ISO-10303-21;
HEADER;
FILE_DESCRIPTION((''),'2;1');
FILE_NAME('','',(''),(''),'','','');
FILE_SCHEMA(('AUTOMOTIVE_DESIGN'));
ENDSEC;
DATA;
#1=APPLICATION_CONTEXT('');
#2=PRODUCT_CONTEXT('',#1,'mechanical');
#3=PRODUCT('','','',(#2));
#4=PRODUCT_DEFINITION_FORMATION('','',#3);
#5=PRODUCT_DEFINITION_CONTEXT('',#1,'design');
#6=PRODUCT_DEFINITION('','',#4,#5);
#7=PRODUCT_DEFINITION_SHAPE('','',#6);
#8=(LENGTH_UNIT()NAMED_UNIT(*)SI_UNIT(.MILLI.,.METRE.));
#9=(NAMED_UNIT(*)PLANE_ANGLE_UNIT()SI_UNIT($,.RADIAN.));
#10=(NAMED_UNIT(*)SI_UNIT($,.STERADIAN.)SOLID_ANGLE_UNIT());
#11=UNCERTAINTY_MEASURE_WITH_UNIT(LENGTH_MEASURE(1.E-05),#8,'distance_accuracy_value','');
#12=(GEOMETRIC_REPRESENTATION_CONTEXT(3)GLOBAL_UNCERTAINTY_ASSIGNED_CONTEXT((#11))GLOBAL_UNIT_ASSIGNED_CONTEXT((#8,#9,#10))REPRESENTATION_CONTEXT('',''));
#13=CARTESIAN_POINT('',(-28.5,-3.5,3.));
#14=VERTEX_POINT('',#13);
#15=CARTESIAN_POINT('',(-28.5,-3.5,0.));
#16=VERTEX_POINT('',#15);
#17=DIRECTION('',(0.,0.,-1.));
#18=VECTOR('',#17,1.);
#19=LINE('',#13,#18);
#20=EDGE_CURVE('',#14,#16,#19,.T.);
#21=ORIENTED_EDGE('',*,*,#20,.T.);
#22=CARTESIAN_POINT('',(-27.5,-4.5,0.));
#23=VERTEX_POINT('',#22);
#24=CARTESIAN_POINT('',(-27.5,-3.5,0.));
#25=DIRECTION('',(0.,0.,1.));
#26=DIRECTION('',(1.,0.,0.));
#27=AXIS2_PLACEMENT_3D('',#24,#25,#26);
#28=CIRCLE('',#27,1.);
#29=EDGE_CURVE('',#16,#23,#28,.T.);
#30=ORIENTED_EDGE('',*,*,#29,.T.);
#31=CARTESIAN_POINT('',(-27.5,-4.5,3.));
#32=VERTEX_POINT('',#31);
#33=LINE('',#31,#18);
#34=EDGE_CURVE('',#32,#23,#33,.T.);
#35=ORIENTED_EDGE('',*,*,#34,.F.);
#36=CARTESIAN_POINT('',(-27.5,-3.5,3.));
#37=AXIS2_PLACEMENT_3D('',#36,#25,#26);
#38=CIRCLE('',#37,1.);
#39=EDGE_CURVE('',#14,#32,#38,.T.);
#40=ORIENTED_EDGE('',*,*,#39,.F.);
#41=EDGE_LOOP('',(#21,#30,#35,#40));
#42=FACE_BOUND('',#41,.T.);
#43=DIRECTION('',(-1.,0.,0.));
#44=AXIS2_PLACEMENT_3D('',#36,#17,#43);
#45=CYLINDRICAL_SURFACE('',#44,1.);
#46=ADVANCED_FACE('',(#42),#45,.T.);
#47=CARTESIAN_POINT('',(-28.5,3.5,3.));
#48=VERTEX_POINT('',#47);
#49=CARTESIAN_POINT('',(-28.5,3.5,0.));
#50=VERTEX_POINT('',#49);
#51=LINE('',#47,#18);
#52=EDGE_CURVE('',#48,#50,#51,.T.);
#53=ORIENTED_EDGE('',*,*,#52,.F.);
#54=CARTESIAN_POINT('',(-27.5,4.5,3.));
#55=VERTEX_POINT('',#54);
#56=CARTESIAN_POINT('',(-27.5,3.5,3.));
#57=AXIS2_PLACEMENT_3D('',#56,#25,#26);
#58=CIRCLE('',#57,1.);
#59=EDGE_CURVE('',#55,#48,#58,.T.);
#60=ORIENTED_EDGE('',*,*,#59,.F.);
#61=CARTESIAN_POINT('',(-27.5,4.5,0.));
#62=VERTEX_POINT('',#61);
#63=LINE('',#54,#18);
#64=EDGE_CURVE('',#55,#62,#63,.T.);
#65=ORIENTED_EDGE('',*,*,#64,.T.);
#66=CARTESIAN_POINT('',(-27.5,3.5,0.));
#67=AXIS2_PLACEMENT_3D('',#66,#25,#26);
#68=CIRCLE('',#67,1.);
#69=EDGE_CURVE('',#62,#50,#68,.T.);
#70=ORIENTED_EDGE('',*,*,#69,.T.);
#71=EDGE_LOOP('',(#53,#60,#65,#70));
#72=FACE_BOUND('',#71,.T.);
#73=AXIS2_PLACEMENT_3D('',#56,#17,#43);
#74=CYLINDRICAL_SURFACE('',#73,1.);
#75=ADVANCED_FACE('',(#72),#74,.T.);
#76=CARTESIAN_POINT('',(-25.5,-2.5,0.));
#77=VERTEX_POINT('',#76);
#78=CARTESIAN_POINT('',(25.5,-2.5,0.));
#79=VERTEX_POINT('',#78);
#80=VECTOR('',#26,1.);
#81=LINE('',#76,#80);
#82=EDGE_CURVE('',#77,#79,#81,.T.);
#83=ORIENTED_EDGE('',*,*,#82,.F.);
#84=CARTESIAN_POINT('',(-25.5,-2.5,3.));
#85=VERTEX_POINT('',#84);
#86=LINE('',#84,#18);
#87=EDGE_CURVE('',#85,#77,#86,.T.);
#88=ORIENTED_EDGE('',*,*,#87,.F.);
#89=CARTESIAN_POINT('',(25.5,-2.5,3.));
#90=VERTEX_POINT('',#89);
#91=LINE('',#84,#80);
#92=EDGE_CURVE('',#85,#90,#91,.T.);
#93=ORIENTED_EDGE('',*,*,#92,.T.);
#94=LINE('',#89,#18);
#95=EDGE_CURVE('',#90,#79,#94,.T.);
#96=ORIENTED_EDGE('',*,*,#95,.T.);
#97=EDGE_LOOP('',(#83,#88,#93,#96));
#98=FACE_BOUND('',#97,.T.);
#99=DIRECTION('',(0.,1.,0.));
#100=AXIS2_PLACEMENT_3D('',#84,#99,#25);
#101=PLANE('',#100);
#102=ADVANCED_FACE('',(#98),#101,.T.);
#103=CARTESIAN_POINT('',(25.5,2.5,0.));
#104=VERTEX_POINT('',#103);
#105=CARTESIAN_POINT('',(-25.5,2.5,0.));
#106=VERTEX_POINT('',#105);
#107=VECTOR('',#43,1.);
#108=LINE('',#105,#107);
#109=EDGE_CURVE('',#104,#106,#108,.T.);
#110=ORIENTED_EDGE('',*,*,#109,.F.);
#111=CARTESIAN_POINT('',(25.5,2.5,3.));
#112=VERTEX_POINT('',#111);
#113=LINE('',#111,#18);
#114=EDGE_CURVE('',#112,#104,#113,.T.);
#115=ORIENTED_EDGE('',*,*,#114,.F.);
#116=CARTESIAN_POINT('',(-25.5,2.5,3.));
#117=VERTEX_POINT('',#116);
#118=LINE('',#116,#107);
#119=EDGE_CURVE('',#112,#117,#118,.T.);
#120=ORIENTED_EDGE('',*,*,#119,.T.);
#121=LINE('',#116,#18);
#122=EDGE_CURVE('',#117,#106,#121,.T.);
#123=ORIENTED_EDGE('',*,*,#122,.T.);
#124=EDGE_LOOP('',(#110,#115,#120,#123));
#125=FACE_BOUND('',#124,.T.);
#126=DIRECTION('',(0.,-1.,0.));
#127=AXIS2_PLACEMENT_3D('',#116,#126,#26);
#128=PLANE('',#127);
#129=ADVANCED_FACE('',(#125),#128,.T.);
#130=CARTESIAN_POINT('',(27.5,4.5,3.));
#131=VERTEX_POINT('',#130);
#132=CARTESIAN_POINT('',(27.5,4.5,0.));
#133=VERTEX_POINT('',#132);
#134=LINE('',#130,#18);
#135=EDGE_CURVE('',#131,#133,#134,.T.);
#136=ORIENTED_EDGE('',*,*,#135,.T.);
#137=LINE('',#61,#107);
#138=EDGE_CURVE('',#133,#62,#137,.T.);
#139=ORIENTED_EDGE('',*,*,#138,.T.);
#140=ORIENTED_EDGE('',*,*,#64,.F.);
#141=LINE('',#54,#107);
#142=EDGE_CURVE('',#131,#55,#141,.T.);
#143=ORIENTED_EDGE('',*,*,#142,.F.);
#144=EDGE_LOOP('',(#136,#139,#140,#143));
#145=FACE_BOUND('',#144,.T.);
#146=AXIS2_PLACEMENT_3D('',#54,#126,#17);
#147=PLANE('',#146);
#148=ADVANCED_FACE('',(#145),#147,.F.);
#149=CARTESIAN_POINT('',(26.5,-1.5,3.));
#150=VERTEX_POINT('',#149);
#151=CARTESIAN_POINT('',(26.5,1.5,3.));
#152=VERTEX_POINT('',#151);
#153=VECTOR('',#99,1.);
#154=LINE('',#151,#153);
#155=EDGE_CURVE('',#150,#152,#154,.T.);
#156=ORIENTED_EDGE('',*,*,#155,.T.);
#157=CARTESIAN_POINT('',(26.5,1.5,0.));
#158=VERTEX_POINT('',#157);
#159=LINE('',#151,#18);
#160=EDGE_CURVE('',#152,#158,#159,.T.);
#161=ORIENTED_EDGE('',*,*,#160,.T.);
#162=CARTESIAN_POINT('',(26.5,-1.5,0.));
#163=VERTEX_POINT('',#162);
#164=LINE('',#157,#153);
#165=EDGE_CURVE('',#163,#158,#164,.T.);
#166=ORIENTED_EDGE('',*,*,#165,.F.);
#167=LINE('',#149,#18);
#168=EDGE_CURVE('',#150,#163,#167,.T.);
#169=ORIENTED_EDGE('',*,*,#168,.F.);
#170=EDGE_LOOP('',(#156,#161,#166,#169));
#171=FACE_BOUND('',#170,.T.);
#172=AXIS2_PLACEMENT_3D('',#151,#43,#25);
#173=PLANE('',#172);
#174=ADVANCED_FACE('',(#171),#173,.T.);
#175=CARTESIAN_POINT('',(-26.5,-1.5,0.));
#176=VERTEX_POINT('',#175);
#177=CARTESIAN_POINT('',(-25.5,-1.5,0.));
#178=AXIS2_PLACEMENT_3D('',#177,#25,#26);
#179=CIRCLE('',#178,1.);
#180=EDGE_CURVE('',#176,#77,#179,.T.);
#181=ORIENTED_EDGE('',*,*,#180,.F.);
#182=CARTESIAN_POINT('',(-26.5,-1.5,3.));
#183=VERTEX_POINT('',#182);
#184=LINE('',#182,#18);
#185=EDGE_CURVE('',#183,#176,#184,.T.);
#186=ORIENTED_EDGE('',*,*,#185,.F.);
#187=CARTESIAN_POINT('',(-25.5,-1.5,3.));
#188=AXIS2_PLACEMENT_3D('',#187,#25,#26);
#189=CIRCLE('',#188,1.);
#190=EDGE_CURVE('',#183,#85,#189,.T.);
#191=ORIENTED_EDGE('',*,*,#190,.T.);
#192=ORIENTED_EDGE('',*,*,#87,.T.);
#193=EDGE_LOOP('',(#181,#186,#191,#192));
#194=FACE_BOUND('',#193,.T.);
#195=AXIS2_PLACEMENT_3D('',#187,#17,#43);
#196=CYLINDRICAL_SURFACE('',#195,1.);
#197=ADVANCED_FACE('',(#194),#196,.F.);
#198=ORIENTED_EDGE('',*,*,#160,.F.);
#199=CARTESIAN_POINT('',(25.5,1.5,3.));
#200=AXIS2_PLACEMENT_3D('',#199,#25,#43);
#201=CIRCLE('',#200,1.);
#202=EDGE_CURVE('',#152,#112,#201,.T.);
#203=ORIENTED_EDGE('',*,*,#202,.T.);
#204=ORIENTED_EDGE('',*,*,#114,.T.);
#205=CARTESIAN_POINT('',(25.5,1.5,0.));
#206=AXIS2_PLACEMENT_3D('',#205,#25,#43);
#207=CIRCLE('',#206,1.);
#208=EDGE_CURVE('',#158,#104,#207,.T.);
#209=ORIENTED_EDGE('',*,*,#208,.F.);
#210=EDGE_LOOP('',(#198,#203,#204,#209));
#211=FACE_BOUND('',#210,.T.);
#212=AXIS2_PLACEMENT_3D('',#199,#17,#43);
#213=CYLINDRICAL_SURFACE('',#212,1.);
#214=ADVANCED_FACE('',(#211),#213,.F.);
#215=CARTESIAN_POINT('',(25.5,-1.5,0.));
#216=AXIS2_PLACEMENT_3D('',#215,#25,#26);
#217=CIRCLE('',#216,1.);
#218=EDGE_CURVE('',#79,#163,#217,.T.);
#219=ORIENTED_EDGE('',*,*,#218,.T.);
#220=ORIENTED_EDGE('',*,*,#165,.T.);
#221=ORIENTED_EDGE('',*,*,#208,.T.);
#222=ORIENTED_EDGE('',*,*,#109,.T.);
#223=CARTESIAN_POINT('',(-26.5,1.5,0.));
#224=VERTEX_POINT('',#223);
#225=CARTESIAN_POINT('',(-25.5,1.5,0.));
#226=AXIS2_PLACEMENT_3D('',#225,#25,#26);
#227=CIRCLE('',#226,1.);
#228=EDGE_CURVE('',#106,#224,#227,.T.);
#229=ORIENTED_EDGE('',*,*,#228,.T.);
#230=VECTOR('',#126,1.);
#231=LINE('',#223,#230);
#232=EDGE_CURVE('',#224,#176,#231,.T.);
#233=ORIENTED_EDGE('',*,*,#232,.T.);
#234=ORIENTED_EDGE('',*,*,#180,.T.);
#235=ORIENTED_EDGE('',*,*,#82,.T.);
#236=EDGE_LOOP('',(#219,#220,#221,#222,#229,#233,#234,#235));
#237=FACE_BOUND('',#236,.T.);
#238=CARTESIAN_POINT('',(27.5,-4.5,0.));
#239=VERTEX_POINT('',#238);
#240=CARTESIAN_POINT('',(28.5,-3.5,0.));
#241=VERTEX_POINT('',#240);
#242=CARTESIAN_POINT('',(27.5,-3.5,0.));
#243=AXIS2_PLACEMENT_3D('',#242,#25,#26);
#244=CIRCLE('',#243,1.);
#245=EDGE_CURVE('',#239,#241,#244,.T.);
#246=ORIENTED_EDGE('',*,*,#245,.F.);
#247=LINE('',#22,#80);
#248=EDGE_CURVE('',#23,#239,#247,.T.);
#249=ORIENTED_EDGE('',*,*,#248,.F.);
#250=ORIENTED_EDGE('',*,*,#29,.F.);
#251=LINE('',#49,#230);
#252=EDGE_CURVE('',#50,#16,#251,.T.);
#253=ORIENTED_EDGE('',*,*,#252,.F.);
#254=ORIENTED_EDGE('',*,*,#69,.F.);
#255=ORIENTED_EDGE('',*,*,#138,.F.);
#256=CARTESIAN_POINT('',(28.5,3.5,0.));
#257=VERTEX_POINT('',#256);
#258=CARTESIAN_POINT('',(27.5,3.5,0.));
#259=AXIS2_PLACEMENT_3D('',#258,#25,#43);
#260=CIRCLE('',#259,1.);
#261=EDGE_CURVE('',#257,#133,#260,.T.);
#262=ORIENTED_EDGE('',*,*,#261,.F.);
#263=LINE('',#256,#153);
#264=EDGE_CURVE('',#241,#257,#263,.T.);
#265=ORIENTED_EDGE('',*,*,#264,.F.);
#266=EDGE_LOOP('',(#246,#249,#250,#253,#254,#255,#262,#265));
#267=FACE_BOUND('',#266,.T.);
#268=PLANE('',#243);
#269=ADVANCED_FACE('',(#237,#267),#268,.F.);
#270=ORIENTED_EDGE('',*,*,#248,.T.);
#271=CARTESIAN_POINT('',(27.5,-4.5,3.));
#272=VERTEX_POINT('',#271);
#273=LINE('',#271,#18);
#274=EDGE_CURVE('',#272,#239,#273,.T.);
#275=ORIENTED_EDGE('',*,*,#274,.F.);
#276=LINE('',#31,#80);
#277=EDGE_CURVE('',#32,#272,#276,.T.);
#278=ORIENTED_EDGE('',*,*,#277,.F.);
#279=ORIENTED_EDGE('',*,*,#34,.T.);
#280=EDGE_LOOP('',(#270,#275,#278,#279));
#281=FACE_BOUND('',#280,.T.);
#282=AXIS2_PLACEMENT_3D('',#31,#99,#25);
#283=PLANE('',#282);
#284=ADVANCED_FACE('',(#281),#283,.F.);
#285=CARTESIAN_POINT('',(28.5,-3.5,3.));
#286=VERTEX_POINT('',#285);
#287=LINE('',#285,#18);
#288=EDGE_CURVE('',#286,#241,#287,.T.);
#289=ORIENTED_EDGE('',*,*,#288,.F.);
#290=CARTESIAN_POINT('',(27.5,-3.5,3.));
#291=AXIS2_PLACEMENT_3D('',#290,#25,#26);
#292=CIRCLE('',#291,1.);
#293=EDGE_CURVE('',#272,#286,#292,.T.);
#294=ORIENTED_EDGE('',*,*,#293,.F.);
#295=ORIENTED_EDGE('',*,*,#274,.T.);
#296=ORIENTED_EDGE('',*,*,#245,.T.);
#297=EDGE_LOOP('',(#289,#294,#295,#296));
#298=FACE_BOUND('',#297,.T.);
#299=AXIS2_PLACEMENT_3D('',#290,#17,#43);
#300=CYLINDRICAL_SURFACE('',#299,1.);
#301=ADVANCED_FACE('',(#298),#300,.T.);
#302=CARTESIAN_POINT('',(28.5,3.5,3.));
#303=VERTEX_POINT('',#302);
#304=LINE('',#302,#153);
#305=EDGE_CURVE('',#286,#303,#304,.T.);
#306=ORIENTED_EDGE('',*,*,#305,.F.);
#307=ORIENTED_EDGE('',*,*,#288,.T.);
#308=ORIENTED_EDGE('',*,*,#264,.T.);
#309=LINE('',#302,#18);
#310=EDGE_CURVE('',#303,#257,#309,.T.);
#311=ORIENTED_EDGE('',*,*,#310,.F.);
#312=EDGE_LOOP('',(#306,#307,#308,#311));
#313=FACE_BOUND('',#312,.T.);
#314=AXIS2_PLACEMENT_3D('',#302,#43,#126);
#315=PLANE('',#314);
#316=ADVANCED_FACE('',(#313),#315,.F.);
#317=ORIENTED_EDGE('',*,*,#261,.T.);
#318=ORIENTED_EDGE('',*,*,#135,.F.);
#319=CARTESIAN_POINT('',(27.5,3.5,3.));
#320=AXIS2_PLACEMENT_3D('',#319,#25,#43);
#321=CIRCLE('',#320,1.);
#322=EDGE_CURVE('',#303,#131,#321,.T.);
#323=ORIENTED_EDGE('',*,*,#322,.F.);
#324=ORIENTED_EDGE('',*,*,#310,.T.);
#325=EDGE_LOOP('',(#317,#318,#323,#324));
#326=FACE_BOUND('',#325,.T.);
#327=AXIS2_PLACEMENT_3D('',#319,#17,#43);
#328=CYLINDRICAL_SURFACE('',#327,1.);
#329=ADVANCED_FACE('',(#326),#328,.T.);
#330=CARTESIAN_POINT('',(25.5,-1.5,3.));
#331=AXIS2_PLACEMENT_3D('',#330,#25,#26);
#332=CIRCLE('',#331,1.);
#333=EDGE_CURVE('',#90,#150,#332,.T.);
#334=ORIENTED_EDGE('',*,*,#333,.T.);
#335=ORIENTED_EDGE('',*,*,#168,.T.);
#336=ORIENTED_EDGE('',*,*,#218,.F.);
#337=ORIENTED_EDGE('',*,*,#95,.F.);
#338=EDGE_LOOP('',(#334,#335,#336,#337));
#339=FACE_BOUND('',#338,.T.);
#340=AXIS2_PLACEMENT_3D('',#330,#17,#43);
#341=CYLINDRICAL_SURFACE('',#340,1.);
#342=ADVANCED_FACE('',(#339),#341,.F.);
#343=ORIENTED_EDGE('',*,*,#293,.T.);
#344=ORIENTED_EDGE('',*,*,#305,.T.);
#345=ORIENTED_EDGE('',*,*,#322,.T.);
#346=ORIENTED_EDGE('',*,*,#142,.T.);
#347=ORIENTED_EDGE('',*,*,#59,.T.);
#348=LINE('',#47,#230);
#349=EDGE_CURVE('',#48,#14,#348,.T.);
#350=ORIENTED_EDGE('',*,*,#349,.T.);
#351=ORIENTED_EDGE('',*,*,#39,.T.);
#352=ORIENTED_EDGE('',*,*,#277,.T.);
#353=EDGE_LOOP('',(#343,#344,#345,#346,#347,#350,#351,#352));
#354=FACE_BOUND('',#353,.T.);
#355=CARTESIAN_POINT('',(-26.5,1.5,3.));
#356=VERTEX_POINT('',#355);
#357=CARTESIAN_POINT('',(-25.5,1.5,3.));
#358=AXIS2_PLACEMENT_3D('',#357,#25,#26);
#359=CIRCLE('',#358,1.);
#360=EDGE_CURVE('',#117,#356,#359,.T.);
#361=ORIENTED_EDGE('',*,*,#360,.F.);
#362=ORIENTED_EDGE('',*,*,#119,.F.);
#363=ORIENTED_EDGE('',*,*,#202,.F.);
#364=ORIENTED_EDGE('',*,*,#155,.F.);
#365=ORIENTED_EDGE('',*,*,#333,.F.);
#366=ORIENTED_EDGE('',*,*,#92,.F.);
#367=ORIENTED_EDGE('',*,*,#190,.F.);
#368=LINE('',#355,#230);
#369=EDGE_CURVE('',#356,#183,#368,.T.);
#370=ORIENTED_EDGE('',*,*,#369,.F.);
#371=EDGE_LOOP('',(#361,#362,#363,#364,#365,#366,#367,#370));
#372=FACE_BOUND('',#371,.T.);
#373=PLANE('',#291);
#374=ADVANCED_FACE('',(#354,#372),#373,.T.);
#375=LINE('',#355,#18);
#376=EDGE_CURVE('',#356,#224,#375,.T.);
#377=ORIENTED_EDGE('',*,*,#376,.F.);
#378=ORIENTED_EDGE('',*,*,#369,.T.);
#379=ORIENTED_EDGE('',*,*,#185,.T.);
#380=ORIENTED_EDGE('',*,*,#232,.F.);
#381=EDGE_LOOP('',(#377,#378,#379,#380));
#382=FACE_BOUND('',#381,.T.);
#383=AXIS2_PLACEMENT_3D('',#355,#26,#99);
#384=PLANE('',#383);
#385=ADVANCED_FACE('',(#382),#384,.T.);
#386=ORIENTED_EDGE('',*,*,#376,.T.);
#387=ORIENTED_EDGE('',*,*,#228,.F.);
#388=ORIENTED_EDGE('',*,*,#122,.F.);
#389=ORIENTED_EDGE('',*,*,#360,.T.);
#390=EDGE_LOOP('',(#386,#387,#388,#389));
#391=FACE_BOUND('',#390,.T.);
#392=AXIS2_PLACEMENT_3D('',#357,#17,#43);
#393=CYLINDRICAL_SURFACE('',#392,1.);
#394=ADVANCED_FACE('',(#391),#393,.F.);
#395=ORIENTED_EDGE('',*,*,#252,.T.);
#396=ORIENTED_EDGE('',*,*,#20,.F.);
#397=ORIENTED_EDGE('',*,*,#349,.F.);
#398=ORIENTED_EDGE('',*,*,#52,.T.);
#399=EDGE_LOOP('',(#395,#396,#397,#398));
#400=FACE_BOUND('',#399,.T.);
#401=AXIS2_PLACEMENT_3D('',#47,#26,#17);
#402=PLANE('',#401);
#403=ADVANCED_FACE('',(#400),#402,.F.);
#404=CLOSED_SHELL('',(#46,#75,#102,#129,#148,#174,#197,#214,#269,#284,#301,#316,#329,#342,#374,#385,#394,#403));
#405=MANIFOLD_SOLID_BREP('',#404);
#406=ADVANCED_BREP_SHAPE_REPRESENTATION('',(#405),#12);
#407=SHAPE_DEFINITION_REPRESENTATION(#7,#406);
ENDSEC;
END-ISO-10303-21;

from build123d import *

# Parameters (mm, degrees)
BOSS_EXTRUDE1_DEPTH = 3


with BuildPart() as part:
    # Sketch1 → Boss-Extrude1 (new body)
    with BuildSketch(Plane.XY):
        with BuildLine():
            Line((-27.5, 4.5), (27.5, 4.5))
            ThreePointArc((27.5, 4.5), (28.207106781, 4.207106781), (28.5, 3.5))
            Line((28.5, 3.5), (28.5, -3.5))
            ThreePointArc((28.5, -3.5), (28.207106781, -4.207106781), (27.5, -4.5))
            Line((27.5, -4.5), (-27.5, -4.5))
            ThreePointArc((-27.5, -4.5), (-28.207106781, -4.207106781), (-28.5, -3.5))
            Line((-28.5, -3.5), (-28.5, 3.5))
            ThreePointArc((-28.5, 3.5), (-28.207106781, 4.207106781), (-27.5, 4.5))
        make_face()
        with BuildLine():
            Line((-25.5, 2.5), (25.5, 2.5))
            ThreePointArc((25.5, 2.5), (26.207106781, 2.207106781), (26.5, 1.5))
            Line((26.5, 1.5), (26.5, -1.5))
            ThreePointArc((26.5, -1.5), (26.207106781, -2.207106781), (25.5, -2.5))
            Line((25.5, -2.5), (-25.5, -2.5))
            ThreePointArc((-25.5, -2.5), (-26.207106781, -2.207106781), (-26.5, -1.5))
            Line((-26.5, -1.5), (-26.5, 1.5))
            ThreePointArc((-26.5, 1.5), (-26.207106781, 2.207106781), (-25.5, 2.5))
        make_face(mode=Mode.SUBTRACT)
    extrude(amount=BOSS_EXTRUDE1_DEPTH)


solid = part.part
